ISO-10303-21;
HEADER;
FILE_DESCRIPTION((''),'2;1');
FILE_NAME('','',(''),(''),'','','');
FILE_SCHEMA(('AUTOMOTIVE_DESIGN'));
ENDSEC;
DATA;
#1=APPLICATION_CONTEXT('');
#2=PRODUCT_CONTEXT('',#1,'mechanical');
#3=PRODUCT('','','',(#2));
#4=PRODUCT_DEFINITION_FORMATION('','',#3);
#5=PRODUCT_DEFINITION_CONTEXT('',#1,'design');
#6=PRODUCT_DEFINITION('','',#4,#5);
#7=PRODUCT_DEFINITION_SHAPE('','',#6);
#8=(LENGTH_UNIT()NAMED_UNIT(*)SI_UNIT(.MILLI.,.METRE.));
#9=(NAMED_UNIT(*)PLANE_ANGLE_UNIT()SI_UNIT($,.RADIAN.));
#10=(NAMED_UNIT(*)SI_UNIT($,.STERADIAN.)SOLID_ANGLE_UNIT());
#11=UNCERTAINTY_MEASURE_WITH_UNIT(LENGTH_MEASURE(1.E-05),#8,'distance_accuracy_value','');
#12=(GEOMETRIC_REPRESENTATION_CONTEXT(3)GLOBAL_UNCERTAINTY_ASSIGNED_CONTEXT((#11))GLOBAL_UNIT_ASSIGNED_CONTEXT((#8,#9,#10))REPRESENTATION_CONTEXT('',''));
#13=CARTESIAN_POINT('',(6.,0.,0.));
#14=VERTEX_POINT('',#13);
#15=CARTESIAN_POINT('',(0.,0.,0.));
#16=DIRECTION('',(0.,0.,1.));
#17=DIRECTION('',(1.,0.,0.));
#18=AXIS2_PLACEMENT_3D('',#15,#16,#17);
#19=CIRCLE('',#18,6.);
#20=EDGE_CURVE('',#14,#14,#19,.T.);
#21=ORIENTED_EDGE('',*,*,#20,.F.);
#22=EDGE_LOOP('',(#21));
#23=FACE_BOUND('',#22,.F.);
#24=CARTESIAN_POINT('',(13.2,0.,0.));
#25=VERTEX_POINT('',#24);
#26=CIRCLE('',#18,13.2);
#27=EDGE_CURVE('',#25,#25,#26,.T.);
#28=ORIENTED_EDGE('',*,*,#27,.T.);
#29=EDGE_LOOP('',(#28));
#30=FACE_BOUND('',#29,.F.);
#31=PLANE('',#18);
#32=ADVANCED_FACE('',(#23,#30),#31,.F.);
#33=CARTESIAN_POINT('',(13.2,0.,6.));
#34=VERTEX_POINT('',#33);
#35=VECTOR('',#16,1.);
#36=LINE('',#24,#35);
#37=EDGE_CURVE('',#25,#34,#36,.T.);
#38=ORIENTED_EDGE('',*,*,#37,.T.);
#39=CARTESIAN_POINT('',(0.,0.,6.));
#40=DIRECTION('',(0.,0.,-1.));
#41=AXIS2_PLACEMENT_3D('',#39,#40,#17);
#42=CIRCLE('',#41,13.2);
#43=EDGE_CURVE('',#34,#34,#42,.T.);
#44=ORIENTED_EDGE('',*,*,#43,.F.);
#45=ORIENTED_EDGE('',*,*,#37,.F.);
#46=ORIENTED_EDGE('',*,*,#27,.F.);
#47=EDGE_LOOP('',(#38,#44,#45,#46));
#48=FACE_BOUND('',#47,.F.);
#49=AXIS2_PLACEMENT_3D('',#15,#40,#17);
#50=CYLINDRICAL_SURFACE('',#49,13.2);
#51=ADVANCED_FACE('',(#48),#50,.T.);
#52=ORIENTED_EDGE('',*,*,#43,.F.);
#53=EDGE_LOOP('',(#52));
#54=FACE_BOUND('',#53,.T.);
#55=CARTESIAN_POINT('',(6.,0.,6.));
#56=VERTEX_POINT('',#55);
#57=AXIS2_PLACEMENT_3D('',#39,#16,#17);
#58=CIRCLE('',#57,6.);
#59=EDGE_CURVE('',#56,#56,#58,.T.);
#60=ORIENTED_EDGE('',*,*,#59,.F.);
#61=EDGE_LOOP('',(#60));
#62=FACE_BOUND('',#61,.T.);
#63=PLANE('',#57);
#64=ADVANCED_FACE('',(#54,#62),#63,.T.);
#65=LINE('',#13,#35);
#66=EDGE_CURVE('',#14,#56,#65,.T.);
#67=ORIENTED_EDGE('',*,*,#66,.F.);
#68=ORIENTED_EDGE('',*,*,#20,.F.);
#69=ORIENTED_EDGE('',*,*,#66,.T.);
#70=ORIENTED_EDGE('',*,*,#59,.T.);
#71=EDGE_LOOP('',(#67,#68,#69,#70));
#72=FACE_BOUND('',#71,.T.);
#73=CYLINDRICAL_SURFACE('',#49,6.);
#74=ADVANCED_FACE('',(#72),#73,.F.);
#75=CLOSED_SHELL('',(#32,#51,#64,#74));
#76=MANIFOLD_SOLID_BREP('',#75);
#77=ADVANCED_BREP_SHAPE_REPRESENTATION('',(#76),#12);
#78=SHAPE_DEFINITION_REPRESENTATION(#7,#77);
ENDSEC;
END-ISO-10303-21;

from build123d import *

# Parameters (mm, degrees)
SKETCH1_R           = 13.2
SKETCH1_R_2         = 6
BOSS_EXTRUDE1_DEPTH = 6
CUT_EXTRUDE1_DEPTH  = 2.54
SKETCH3_R           = 13.2
SKETCH3_R_2         = 6
BOSS_EXTRUDE2_DEPTH = 6


with BuildPart() as part:
    # Sketch1 → Boss-Extrude1 (new body)
    with BuildSketch(Plane.XY):
        Circle(SKETCH1_R)
        Circle(SKETCH1_R_2, mode=Mode.SUBTRACT)
    extrude(amount=BOSS_EXTRUDE1_DEPTH)

    # Sketch2 → Cut-Extrude1 (cut)
    with BuildSketch(Plane.XY.offset(6)):
        with BuildLine():
            ThreePointArc((-2.819851171, 12.895287487), (0, 13.2), (2.819851171, 12.895287487))
            ThreePointArc((2.819851171, 12.895287487), (1.826256171, 11.910750525), (1.819851171, 10.512))
            ThreePointArc((1.819851171, 10.512), (0, 10.668364555), (-1.819851171, 10.512))
            ThreePointArc((-1.819851171, 10.512), (-1.826256171, 11.910750525), (-2.819851171, 12.895287487))
        make_face()
    extrude(amount=-CUT_EXTRUDE1_DEPTH, mode=Mode.SUBTRACT)

    # Sketch3 → Boss-Extrude2 (add)
    with BuildSketch(Plane.XY):
        Circle(SKETCH3_R)
        Circle(SKETCH3_R_2, mode=Mode.SUBTRACT)
    extrude(amount=BOSS_EXTRUDE2_DEPTH)


solid = part.part
